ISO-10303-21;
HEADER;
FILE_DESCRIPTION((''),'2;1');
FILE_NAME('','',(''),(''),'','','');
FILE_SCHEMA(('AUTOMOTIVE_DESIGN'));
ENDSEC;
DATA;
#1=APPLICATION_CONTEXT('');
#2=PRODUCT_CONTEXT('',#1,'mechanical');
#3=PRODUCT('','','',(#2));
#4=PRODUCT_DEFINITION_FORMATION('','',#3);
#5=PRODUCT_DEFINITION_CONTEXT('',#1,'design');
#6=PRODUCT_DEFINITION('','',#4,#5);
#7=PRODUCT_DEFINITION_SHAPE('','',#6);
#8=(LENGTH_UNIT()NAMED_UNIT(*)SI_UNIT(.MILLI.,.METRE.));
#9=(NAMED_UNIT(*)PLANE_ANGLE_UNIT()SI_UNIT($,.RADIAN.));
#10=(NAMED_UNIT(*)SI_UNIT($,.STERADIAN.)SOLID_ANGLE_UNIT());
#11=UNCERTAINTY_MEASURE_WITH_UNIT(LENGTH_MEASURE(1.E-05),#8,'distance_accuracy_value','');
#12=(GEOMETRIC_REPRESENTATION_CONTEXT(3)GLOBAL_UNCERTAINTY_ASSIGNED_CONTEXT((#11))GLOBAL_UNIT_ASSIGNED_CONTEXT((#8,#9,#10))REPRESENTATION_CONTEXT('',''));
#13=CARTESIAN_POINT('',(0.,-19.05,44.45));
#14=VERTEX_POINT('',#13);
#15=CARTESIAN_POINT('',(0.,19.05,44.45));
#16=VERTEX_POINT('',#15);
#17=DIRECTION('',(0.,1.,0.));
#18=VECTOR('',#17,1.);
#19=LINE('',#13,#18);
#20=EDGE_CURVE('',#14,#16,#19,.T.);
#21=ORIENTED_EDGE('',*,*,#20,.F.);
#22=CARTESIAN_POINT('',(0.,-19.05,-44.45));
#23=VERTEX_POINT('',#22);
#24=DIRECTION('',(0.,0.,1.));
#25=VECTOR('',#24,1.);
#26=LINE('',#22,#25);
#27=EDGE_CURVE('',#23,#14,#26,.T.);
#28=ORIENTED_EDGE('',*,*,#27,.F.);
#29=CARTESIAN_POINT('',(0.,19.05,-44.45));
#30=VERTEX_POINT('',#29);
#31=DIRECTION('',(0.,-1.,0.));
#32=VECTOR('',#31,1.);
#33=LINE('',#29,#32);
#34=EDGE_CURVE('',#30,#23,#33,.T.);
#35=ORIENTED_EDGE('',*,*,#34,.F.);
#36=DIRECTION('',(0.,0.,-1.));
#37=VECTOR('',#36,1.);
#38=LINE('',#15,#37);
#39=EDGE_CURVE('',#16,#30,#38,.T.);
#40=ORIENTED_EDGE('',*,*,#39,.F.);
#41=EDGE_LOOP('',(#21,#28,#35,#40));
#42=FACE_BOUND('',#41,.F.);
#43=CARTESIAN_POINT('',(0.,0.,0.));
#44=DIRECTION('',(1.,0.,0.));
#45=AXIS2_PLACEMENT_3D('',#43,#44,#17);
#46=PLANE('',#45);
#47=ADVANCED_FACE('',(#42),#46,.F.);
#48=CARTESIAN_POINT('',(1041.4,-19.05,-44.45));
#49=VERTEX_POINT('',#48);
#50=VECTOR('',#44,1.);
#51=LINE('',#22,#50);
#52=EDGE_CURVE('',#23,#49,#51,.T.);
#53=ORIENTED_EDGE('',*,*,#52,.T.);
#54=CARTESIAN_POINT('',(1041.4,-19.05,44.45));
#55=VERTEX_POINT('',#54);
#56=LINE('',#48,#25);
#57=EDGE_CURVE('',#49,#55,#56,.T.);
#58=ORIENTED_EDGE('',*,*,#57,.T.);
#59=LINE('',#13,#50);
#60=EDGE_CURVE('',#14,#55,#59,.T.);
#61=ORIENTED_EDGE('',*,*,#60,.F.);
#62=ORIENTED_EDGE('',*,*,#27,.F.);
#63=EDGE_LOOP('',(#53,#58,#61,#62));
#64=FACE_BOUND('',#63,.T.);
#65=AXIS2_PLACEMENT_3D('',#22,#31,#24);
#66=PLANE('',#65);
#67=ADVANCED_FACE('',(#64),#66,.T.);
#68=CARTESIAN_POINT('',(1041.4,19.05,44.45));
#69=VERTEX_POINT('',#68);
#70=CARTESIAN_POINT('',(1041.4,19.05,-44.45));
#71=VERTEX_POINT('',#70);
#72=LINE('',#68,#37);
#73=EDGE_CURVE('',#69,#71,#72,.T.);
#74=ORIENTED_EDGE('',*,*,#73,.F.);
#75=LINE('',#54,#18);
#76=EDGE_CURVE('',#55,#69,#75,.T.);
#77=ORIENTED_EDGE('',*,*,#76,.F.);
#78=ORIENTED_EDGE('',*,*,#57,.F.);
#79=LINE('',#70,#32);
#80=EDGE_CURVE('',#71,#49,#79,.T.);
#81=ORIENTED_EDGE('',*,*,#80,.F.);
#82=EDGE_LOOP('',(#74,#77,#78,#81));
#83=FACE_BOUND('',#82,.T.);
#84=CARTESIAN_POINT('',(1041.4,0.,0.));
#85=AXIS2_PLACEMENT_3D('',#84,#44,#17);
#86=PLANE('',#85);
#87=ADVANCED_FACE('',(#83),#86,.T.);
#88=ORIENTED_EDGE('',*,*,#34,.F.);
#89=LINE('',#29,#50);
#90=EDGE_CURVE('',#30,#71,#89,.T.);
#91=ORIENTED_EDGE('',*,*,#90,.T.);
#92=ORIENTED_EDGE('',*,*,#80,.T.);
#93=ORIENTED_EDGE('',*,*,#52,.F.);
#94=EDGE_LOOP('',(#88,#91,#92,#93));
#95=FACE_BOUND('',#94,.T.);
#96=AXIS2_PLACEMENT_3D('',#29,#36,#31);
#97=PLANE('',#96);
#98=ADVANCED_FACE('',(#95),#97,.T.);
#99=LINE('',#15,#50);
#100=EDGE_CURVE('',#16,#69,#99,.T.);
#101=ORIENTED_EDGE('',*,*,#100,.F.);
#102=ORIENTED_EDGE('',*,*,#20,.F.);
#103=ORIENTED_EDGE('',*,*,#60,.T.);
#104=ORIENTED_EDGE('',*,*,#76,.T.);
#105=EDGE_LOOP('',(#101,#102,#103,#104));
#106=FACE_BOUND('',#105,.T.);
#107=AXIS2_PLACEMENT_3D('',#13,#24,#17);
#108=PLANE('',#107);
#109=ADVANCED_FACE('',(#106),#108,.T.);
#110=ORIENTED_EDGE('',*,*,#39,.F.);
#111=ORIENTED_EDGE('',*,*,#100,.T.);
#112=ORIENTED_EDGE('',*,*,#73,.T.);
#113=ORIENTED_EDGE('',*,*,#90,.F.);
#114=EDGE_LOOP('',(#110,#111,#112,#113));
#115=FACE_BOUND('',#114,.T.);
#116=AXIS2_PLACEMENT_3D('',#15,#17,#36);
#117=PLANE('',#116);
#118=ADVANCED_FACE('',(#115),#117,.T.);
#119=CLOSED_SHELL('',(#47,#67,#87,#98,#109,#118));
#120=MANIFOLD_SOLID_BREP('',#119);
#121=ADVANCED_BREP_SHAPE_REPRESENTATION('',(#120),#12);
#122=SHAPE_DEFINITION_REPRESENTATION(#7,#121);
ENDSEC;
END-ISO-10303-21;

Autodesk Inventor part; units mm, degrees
ref_plane "YZ Plane" through (0, 0, 0) normal (1, 0, 0) x (0, 1, 0)
ref_plane "XZ Plane" through (0, 0, 0) normal (0, 1, 0) x (-1, 0, 0)
ref_plane "XY Plane" through (0, 0, 0) normal (0, 0, 1) x (1, 0, 0)
sketch "Sketch1" plane through (0, 0, 0) normal (1, 0, 0) x (0, 1, 0)
  line L0 (-19.05, 44.45) -> (19.05, 44.45)
  line L1 (19.05, 44.45) -> (19.05, -44.45)
  line L2 (19.05, -44.45) -> (-19.05, -44.45)
  line L3 (-19.05, -44.45) -> (-19.05, 44.45)
  line L4 (-19.05, 44.45) -> (19.05, -44.45) construction
  line L5 (19.05, 44.45) -> (-19.05, -44.45) construction
  point P0 (0, 0)
  dimension "d0" = 38.1
  dimension "d1" = 88.9
extrude "Extrusion1" add sketch "Sketch1" along normal blind 1041.4
properties part number "2x4x41"
